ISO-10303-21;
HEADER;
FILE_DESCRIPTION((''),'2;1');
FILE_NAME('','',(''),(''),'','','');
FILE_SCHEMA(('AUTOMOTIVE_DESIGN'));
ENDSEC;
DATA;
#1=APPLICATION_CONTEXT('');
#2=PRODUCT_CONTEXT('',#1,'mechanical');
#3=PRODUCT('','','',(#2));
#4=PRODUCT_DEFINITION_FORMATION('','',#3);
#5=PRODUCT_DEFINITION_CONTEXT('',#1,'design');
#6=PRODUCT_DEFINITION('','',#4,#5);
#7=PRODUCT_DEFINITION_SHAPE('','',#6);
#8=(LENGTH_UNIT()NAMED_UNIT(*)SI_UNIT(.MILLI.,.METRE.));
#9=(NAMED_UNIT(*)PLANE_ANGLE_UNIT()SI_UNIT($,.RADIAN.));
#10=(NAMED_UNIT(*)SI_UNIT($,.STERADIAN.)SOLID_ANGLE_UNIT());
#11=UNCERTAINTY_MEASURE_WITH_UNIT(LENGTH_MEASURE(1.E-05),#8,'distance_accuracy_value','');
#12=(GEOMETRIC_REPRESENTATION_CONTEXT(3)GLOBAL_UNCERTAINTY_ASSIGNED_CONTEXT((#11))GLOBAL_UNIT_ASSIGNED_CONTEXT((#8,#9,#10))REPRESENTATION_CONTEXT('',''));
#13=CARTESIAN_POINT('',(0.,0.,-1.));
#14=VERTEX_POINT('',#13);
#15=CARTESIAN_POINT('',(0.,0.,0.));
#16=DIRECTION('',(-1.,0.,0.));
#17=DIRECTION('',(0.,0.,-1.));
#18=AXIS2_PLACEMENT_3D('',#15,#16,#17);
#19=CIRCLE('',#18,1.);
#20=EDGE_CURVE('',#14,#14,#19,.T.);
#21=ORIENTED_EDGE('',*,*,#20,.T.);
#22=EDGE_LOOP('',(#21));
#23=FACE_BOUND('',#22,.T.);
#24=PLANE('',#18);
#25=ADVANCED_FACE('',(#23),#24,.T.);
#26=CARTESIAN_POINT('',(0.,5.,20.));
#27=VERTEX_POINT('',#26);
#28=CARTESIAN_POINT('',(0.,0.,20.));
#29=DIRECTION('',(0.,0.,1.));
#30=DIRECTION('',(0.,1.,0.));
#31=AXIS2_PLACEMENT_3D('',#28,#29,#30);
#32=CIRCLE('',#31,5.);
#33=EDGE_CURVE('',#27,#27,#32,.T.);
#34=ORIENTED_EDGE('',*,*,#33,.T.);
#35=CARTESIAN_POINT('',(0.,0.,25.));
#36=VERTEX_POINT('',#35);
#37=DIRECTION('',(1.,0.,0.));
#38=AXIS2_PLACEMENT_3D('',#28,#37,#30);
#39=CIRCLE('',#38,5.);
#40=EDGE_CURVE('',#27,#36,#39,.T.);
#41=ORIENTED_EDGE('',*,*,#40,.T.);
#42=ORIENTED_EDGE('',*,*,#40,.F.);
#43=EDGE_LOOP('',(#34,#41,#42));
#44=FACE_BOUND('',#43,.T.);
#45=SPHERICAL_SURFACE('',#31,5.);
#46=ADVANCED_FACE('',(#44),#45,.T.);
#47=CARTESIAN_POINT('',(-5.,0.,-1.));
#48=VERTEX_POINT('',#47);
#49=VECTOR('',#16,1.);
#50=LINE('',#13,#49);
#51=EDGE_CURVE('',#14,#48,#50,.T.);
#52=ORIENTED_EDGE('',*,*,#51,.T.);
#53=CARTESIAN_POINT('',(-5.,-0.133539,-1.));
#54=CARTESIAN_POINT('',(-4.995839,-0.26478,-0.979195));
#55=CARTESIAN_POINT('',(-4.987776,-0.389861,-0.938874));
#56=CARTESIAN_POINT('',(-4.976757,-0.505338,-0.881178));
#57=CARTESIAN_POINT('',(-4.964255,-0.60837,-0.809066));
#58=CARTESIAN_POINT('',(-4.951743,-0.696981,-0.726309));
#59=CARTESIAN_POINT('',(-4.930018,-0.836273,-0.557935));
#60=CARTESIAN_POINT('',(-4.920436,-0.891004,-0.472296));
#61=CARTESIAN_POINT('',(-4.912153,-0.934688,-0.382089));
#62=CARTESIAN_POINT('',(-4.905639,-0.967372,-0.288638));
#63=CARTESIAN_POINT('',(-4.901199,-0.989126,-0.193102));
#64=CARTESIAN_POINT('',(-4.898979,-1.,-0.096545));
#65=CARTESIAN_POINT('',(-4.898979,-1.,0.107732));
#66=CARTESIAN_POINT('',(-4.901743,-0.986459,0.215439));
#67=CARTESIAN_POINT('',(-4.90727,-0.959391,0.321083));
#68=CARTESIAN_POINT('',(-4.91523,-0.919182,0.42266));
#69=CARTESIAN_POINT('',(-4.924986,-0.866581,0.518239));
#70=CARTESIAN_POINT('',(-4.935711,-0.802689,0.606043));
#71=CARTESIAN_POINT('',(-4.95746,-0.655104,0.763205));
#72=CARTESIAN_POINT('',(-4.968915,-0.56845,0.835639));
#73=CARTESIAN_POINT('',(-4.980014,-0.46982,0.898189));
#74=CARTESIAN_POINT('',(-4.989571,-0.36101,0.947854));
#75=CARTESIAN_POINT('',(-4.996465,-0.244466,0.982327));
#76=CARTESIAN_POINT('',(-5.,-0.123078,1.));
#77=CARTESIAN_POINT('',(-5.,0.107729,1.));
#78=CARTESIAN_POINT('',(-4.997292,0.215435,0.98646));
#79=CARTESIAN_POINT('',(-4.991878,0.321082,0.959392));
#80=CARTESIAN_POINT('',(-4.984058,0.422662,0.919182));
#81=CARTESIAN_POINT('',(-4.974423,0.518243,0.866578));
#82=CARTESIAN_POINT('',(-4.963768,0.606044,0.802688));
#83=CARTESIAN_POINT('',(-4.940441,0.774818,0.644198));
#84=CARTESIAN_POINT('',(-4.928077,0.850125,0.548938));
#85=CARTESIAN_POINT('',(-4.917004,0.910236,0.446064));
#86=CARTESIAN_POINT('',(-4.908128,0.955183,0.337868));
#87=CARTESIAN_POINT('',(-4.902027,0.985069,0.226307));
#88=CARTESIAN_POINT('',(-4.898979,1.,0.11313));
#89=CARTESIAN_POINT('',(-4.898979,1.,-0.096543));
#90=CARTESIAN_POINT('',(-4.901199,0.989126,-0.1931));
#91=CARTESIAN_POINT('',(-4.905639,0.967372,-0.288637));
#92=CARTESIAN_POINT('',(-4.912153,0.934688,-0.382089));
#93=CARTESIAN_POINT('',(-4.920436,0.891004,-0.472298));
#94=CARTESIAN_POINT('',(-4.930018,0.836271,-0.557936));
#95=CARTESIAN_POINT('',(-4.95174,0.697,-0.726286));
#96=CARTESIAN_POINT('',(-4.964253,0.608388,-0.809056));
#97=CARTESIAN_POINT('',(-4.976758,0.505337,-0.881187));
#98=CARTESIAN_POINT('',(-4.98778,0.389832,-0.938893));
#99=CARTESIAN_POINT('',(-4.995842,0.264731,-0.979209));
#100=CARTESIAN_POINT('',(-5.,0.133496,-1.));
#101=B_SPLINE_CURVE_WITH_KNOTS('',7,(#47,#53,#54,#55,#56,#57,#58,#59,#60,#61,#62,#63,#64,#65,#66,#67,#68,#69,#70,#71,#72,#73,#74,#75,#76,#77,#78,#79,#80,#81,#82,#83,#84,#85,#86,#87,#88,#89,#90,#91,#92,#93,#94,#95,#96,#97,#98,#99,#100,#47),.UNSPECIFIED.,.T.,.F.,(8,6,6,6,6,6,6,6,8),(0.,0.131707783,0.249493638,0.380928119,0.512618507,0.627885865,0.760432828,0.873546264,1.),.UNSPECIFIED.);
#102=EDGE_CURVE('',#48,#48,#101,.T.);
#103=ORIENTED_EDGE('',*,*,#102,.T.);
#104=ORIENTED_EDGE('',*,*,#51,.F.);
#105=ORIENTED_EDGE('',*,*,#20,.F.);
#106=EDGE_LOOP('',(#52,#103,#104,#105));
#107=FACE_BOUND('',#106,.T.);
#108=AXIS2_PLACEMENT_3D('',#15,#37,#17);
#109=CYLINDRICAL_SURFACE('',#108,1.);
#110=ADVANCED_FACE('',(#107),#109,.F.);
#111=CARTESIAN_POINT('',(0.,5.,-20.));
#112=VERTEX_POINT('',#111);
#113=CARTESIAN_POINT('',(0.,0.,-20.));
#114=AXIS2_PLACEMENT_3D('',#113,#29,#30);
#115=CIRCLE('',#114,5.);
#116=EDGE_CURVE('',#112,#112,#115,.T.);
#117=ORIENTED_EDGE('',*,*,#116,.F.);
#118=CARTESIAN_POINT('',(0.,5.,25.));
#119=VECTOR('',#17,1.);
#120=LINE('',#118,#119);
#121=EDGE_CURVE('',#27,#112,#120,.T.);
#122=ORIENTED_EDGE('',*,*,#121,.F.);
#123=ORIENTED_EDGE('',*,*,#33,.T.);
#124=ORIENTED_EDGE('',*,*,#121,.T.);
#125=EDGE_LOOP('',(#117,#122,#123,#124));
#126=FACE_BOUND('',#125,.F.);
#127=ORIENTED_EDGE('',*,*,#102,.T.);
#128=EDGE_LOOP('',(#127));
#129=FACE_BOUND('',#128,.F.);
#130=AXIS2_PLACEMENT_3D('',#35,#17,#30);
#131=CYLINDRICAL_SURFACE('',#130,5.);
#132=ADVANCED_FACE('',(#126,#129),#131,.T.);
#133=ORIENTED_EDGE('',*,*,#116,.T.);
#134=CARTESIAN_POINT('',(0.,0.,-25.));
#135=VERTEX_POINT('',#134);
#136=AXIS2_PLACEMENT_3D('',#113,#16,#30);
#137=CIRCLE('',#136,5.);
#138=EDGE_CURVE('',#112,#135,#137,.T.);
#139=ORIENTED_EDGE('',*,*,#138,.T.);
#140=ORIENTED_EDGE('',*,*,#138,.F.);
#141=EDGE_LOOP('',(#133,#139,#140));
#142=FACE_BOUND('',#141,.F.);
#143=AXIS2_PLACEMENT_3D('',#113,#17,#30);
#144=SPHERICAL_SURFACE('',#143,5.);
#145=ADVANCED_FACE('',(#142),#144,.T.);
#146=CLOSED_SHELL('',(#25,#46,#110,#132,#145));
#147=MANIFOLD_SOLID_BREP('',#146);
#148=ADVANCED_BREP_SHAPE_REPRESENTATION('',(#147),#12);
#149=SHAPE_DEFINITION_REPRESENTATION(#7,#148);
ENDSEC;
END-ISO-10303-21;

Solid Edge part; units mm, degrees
sketch "Sketch1" plane through (0, 0, 0) normal (1, 0, 0) x (0, 1, 0)
  line L0 (5, 25) -> (5, -25)
  line L1 (5, -25) -> (0, -25)
  line L2 (0, -25) -> (0, 0)
  line L3 (0, 0) -> (0, 25)
  line L4 (0, 25) -> (5, 25)
revolve "RevolvedProtrusion1" add sketch "Sketch1" angle 360 about axis through (0, 0, 0) along (0, 0, 1)
fillet "Round1" radius 5 2 edges at (-5, 0, 25) (-5, 0, -25)
hole "Hole_1" at (0, 0, 0) direction (-1, 0, 0) diameter 2 end up to next
properties material "Stainless steel"
